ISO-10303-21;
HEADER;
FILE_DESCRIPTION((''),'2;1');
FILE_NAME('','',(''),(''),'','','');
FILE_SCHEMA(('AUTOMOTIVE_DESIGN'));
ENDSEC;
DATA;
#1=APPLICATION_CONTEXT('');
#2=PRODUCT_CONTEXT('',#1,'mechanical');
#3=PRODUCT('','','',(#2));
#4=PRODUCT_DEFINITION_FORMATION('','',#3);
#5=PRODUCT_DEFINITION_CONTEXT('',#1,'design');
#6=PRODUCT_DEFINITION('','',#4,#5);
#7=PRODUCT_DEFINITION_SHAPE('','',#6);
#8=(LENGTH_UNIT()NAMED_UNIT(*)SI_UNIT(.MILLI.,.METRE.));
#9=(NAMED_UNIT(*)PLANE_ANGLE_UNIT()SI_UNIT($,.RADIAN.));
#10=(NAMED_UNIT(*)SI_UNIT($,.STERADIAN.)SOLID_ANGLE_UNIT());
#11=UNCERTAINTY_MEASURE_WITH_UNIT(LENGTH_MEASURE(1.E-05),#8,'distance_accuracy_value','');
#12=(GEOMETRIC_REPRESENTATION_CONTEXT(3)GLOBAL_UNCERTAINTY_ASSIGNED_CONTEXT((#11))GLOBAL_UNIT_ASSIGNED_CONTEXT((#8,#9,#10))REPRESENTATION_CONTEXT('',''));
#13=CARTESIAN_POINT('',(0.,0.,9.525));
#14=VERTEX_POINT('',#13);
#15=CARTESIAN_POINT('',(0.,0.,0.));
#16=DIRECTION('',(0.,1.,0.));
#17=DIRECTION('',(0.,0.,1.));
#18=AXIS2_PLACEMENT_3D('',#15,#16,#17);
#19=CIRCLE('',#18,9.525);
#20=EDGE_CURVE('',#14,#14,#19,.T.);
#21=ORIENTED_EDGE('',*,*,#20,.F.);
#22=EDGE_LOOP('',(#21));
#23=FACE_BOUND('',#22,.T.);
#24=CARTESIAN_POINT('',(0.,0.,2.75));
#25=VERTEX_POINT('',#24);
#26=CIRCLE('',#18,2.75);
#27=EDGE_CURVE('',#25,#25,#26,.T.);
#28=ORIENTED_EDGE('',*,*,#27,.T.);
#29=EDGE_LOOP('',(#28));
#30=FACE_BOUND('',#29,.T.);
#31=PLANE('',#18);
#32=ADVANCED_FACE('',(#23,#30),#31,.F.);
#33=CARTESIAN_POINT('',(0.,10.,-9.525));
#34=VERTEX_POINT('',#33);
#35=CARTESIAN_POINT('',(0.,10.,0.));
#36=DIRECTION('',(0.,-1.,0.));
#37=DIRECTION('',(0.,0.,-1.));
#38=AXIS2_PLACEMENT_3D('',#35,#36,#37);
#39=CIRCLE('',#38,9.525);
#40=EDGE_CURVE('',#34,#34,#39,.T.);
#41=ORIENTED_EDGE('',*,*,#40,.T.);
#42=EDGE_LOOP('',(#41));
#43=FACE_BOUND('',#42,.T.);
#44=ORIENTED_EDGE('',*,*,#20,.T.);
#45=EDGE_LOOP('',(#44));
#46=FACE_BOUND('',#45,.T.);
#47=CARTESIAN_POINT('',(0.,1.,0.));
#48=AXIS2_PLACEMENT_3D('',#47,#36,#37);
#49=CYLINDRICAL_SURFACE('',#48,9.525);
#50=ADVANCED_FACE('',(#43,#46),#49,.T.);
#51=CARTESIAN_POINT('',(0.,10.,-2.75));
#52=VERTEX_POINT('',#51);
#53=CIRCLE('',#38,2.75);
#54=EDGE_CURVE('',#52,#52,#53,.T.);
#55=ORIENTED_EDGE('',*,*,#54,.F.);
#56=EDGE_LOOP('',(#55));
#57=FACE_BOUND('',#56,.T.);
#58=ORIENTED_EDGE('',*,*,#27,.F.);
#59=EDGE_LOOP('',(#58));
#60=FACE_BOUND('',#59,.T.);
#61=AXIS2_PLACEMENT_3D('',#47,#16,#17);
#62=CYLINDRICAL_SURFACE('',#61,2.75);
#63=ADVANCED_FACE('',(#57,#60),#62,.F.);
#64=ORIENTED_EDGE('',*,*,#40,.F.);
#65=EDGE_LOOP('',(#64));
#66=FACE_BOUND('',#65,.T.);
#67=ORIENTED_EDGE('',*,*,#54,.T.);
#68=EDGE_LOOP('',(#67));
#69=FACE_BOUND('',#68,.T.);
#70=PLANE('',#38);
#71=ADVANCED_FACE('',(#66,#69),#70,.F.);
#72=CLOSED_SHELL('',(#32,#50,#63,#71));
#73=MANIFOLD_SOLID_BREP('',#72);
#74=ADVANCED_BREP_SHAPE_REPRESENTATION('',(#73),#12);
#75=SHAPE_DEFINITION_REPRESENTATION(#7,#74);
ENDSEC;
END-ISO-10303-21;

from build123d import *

# Parameters (mm, degrees)
SKETCH2_R               = 9.525
BOSS_EXTRUDE1_DEPTH     = 1
M5_CLEARANCE_HOLE1_D    = 5.5
CUT_EXTRUDE1_DEPTH      = 1
CUT_EXTRUDE1_DEPTH_BACK = 2
SKETCH9_R               = 9.525
SKETCH9_R_2             = 2.75
BOSS_EXTRUDE2_DEPTH     = 10


with BuildPart() as part:
    # Sketch2 → Boss-Extrude1 (new body)
    with BuildSketch(Plane(origin=(0, 0, 0), x_dir=(1, 0, 0), z_dir=(0, 1, 0))):
        Circle(SKETCH2_R)
    extrude(amount=BOSS_EXTRUDE1_DEPTH)

    # M5 Clearance Hole1 (through all)
    with Locations(Plane(origin=(0, 1, 0), x_dir=(1, 0, 0), z_dir=(0, 1, 0))):
        with Locations((0, 0)):
            Hole(M5_CLEARANCE_HOLE1_D / 2)

    # Sketch7 → Cut-Extrude1 (cut, two sides)
    with BuildSketch(Plane(origin=(0, 1, 0), x_dir=(1, 0, 0), z_dir=(0, 1, 0))) as cut_extrude1_sk:
        Polygon((3.063849251, 9.018783331), (-3.927822903, 8.677432353), (-3.960317229, 9.342992692), (3.031354925, 9.68434367), align=None)
    extrude(amount=CUT_EXTRUDE1_DEPTH, mode=Mode.SUBTRACT)
    extrude(cut_extrude1_sk.sketch, amount=-CUT_EXTRUDE1_DEPTH_BACK, mode=Mode.SUBTRACT)

    # Sketch9 → Boss-Extrude2 (add)
    with BuildSketch(Plane.XZ):
        Circle(SKETCH9_R)
        Circle(SKETCH9_R_2, mode=Mode.SUBTRACT)
    extrude(amount=-BOSS_EXTRUDE2_DEPTH)


solid = part.part
